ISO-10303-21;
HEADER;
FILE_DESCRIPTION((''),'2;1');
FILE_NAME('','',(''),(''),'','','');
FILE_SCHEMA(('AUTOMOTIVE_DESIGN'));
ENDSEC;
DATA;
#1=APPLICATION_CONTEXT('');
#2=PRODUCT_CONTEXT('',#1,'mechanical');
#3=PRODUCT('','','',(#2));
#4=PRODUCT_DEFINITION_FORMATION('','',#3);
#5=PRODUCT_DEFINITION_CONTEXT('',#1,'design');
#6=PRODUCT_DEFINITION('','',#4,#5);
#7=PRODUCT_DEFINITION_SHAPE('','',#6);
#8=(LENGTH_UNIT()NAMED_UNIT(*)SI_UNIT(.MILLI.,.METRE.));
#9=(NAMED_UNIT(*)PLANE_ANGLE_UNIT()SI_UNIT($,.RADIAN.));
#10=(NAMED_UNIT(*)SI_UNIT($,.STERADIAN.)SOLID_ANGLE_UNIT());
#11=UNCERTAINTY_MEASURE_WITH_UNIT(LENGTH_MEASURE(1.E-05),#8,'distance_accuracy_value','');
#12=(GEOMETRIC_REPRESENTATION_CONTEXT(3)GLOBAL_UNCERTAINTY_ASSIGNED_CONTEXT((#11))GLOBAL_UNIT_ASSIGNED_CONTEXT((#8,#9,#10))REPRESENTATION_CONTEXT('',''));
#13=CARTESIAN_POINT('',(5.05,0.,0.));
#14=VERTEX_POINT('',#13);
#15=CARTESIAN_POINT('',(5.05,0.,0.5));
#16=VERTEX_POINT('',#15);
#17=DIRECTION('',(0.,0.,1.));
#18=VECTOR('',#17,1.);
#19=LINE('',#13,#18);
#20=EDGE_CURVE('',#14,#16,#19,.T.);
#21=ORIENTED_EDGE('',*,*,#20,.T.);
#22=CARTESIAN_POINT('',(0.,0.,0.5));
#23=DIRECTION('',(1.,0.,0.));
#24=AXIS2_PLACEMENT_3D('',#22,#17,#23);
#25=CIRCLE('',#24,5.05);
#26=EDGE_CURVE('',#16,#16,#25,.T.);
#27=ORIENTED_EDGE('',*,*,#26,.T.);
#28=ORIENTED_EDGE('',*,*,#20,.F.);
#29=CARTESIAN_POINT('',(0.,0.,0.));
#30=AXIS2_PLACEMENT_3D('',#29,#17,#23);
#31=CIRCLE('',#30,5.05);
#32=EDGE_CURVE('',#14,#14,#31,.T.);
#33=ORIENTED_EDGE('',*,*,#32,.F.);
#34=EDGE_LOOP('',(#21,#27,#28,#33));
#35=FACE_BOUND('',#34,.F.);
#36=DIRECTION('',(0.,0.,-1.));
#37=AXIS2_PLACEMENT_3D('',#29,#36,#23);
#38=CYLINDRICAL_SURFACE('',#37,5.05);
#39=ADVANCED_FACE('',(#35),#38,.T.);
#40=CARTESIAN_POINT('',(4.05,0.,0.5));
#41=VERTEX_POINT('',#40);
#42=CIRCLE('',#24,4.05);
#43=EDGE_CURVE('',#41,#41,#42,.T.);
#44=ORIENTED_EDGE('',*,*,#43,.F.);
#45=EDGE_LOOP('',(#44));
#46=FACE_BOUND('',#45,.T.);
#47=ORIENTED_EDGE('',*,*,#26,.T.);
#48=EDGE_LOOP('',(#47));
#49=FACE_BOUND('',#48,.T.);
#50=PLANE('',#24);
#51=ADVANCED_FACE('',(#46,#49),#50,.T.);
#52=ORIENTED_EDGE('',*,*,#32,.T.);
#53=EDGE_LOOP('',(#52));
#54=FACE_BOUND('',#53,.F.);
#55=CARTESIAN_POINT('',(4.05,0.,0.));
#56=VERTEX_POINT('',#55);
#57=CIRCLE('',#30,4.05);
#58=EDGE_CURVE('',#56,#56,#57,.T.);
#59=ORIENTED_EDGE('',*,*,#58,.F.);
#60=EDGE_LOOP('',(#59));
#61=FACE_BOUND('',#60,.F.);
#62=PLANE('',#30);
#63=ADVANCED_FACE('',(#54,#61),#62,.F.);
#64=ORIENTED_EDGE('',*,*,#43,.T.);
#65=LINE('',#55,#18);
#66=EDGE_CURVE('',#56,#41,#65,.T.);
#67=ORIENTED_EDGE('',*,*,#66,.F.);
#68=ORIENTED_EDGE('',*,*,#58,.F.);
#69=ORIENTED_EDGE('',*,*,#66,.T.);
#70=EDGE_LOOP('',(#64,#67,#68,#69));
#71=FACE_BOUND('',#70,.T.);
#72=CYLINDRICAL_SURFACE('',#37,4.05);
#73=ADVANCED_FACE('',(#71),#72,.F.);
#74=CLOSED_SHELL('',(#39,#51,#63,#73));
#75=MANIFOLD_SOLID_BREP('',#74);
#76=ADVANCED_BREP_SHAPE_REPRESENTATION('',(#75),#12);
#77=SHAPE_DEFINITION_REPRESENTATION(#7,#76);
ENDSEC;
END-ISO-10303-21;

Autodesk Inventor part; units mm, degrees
ref_plane "YZ Plane" through (0, 0, 0) normal (1, 0, 0) x (0, 1, 0)
ref_plane "XZ Plane" through (0, 0, 0) normal (0, 1, 0) x (-1, 0, 0)
ref_plane "XY Plane" through (0, 0, 0) normal (0, 0, 1) x (1, 0, 0)
sketch "Sketch1" plane through (0, 0, 0) normal (0, 0, 1) x (1, 0, 0)
  circle A0 centre (0, 0) radius 4.05
  circle A1 centre (0, 0) radius 5.05
  dimension "d0" = 8.1
  dimension "d1" = 1
extrude "Extrusion1" add sketch "Sketch1" along normal blind 0.5
properties part number "HD_rotorshim"
